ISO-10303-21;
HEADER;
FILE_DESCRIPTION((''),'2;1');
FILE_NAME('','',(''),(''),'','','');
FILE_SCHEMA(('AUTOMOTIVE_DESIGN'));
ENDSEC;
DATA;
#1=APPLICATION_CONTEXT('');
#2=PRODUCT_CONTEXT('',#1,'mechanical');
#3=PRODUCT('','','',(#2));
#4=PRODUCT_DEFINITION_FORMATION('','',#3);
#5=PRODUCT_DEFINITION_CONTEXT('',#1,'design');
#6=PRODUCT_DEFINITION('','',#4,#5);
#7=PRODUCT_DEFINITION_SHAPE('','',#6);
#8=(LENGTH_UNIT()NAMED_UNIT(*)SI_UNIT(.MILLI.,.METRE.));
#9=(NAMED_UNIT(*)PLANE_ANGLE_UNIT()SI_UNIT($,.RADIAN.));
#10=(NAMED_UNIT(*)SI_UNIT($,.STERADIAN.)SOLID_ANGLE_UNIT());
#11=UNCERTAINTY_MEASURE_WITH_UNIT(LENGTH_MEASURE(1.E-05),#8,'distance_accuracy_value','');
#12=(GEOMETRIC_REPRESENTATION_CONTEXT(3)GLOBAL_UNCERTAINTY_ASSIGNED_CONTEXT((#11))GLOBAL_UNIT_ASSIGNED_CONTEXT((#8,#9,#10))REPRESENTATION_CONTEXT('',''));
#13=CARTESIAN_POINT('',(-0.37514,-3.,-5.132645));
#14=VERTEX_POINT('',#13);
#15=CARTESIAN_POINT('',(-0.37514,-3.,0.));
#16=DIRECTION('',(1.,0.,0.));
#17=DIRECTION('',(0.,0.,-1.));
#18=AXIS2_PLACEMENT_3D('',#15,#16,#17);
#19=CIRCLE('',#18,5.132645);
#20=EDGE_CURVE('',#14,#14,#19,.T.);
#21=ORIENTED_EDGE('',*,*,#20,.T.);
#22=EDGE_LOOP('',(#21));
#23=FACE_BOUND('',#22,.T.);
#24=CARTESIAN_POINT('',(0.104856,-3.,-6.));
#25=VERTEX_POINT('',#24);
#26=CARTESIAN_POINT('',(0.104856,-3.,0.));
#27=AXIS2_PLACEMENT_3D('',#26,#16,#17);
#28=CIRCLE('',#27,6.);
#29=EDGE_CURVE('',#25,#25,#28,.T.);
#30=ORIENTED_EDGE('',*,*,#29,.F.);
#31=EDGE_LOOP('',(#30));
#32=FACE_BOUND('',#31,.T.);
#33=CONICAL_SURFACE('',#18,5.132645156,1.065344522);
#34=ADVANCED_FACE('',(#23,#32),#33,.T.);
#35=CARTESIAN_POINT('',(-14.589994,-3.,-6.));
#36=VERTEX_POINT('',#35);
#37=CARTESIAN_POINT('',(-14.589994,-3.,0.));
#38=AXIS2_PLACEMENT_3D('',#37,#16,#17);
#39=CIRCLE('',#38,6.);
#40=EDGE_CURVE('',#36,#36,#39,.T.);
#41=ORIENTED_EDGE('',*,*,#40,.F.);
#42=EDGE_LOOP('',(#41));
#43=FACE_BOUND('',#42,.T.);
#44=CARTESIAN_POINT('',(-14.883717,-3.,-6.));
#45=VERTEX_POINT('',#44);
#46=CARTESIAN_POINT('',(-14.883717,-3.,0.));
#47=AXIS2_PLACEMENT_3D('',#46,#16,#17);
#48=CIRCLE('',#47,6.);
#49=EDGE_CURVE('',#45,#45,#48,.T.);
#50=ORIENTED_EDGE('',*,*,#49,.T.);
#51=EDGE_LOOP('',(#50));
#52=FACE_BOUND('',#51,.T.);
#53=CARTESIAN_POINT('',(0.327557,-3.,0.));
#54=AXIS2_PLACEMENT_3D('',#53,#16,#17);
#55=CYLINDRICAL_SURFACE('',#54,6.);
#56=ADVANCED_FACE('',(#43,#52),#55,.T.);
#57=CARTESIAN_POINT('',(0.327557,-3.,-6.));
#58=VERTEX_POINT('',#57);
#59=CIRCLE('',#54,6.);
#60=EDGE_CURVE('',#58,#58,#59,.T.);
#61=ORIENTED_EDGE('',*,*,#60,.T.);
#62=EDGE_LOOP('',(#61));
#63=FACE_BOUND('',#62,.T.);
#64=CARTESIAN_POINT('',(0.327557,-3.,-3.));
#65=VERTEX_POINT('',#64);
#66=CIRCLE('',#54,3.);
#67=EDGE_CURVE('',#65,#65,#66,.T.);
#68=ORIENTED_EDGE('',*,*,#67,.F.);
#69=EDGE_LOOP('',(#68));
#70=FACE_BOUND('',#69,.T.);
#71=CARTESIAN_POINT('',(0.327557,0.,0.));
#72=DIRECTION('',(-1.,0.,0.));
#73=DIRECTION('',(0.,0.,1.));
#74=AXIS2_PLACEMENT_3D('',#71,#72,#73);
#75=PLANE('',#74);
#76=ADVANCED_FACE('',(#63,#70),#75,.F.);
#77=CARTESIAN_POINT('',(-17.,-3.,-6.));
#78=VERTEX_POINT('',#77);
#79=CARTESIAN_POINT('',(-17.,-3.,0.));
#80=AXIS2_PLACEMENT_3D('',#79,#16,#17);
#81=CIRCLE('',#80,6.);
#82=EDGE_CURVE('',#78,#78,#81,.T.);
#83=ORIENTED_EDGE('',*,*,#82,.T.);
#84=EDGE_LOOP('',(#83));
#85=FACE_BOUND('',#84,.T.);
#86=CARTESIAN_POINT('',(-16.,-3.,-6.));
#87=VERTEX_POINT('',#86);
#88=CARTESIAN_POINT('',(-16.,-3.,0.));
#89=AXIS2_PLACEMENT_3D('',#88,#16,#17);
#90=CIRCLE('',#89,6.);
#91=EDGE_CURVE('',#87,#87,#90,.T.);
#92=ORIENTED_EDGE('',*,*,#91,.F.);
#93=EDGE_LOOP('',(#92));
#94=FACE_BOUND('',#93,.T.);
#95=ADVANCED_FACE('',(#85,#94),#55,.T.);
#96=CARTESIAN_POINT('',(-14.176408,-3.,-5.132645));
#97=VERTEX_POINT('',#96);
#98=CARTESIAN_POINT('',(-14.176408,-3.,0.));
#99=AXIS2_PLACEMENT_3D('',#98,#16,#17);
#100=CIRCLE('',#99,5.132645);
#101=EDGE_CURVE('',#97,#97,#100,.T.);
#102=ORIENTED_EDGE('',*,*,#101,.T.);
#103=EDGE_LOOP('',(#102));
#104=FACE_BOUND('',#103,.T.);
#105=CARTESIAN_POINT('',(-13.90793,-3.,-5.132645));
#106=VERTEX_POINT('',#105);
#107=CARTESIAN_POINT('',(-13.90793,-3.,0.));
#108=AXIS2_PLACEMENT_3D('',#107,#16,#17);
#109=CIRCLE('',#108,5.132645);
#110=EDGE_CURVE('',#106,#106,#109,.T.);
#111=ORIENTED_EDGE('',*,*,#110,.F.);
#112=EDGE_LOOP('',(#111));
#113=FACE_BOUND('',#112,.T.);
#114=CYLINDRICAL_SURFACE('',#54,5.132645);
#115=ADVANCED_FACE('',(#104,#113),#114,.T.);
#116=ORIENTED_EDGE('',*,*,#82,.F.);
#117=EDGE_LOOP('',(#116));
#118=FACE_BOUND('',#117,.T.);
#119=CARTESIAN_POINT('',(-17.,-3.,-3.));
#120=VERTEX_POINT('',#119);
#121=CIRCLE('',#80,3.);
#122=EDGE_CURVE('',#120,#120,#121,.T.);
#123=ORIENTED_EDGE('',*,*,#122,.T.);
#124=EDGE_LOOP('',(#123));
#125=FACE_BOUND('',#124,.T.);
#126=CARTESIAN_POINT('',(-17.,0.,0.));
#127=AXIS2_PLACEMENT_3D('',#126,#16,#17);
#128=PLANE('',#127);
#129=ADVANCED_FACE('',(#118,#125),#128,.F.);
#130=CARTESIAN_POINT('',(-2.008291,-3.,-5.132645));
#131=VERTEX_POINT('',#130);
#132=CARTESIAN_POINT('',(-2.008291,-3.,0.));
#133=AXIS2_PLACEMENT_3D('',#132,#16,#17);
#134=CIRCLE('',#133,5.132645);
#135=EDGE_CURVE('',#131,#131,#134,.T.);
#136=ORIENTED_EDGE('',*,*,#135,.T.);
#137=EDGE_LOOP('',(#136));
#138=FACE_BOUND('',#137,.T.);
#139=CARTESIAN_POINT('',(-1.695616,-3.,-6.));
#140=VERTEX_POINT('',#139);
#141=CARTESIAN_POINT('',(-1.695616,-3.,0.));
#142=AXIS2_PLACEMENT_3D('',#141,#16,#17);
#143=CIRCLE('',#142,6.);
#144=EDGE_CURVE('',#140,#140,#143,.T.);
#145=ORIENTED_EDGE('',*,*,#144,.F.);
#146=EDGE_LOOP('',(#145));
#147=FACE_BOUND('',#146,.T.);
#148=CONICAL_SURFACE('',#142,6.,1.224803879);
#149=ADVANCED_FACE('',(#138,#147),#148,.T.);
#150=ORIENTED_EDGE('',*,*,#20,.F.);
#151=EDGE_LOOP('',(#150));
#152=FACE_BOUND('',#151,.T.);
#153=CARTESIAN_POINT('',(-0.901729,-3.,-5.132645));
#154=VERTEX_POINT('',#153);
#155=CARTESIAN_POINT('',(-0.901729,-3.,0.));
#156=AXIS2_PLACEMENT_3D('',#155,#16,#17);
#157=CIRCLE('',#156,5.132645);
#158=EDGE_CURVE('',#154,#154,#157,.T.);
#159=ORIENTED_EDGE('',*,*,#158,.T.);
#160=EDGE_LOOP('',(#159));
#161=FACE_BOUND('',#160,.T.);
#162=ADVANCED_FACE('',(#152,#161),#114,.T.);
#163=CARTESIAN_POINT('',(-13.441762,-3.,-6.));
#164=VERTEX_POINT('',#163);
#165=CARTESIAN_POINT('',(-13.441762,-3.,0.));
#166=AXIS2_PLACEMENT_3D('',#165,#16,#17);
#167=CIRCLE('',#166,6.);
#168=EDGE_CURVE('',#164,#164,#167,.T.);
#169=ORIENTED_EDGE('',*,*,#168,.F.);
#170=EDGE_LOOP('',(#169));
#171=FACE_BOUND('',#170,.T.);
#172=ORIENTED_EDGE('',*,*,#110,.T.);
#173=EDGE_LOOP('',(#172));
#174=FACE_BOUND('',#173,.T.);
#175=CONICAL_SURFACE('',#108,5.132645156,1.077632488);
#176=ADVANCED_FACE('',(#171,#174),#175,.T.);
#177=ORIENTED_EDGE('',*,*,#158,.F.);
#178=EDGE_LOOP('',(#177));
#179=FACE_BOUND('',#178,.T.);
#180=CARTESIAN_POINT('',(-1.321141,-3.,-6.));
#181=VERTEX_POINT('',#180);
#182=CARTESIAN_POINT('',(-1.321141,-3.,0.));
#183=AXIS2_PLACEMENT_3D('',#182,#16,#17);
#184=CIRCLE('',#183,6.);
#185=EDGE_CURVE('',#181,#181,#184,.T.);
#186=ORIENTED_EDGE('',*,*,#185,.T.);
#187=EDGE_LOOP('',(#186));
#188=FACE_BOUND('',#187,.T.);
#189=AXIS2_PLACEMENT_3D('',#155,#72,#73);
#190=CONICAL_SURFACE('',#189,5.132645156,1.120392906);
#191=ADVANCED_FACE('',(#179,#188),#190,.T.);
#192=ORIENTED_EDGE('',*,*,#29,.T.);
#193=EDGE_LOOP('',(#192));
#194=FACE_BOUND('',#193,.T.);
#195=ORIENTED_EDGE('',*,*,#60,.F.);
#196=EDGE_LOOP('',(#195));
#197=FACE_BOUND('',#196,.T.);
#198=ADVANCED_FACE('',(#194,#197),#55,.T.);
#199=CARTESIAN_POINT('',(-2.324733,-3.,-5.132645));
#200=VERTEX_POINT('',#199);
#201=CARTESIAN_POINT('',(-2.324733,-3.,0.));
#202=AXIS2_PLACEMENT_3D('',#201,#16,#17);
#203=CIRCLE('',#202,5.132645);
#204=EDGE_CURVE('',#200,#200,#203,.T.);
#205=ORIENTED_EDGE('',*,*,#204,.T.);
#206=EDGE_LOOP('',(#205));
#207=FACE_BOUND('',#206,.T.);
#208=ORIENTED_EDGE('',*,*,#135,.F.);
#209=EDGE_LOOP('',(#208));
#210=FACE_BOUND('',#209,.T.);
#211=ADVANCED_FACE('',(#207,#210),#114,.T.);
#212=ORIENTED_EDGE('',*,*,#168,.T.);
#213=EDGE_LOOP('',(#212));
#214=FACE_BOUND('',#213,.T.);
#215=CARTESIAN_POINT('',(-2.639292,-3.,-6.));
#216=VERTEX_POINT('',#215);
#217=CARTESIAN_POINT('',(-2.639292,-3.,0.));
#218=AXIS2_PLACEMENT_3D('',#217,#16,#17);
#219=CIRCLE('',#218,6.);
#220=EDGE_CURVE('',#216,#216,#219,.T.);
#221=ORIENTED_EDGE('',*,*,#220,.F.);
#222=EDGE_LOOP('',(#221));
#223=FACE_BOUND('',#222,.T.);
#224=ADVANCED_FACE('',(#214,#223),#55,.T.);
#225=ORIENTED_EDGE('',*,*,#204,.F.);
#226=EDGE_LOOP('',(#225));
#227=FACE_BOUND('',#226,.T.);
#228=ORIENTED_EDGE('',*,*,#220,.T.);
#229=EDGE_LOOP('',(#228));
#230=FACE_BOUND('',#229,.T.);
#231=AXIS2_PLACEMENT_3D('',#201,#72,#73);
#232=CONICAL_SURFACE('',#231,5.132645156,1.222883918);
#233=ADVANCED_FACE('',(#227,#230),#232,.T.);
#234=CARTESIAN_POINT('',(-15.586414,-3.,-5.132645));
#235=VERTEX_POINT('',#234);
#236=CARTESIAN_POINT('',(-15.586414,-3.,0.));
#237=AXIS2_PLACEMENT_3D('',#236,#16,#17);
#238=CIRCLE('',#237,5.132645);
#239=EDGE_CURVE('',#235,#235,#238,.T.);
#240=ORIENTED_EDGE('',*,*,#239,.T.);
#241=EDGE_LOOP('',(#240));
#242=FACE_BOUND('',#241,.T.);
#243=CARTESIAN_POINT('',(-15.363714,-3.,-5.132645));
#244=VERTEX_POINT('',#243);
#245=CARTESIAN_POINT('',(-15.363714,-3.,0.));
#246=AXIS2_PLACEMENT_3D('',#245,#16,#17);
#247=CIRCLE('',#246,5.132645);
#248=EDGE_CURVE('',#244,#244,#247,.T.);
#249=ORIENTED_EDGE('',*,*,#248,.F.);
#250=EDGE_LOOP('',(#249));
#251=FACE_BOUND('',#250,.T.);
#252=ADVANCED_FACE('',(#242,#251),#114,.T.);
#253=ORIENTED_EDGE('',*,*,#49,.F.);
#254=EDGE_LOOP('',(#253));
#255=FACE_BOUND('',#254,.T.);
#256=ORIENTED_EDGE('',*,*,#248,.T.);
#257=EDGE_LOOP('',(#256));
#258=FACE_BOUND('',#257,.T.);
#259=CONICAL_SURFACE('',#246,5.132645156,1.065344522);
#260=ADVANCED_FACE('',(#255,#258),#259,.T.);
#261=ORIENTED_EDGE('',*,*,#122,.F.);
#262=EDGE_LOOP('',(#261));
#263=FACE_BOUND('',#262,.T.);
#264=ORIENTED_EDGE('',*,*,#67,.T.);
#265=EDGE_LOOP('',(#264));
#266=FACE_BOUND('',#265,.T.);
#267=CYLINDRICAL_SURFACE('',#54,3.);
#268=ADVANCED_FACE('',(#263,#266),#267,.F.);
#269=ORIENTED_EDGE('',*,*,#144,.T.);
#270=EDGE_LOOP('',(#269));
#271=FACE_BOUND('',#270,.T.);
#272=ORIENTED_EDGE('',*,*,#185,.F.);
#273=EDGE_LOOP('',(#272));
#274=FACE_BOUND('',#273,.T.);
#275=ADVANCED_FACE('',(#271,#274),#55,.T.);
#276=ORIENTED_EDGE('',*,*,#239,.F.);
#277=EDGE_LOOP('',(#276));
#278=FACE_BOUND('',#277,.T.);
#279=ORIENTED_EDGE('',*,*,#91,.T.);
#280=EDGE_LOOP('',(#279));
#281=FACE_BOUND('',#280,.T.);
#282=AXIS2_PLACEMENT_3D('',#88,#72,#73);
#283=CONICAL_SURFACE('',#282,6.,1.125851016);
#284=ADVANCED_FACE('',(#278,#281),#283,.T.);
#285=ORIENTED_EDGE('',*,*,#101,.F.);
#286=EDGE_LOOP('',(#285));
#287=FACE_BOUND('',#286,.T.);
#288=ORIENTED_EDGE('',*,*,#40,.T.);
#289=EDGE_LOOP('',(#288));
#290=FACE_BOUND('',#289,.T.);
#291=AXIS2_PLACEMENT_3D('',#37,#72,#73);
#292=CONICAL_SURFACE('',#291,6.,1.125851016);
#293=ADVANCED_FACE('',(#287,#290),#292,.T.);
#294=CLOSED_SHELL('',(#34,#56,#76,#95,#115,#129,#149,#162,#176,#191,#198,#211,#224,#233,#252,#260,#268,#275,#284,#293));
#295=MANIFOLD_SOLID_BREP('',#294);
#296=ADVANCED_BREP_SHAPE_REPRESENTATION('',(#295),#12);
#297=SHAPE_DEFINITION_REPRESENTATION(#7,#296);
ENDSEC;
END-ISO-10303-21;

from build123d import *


with BuildPart() as part:
    # Szkic1 → Obrót1 (revolve)
    with BuildSketch(Plane.XY, mode=Mode.PRIVATE) as obr_t1_sk:
        Polygon((-2.324733291, 2.132645156), (-2.639292136, 3), (-13.441762305, 3), (-13.907929964, 2.132645156), (-14.17640763, 2.132645156), (-14.589993676, 3), (-14.883717364, 3), (-15.363713775, 2.132645156), (-15.586413954, 2.132645156), (-16, 3), (-17, 3), (-17, 0), (0, 0), (0.327556569, 0), (0.327556569, 3), (0.104856391, 3), (-0.375140021, 2.132645156), (-0.901728995, 2.132645156), (-1.321140788, 3), (-1.695615602, 3), (-2.008291441, 2.132645156), align=None)
    revolve(obr_t1_sk.sketch.rotate(Axis((0.327556569, -3, 0), (-1, 0, 0)), 90), axis=Axis((0.327556569, -3, 0), (-1, 0, 0)))


solid = part.part
